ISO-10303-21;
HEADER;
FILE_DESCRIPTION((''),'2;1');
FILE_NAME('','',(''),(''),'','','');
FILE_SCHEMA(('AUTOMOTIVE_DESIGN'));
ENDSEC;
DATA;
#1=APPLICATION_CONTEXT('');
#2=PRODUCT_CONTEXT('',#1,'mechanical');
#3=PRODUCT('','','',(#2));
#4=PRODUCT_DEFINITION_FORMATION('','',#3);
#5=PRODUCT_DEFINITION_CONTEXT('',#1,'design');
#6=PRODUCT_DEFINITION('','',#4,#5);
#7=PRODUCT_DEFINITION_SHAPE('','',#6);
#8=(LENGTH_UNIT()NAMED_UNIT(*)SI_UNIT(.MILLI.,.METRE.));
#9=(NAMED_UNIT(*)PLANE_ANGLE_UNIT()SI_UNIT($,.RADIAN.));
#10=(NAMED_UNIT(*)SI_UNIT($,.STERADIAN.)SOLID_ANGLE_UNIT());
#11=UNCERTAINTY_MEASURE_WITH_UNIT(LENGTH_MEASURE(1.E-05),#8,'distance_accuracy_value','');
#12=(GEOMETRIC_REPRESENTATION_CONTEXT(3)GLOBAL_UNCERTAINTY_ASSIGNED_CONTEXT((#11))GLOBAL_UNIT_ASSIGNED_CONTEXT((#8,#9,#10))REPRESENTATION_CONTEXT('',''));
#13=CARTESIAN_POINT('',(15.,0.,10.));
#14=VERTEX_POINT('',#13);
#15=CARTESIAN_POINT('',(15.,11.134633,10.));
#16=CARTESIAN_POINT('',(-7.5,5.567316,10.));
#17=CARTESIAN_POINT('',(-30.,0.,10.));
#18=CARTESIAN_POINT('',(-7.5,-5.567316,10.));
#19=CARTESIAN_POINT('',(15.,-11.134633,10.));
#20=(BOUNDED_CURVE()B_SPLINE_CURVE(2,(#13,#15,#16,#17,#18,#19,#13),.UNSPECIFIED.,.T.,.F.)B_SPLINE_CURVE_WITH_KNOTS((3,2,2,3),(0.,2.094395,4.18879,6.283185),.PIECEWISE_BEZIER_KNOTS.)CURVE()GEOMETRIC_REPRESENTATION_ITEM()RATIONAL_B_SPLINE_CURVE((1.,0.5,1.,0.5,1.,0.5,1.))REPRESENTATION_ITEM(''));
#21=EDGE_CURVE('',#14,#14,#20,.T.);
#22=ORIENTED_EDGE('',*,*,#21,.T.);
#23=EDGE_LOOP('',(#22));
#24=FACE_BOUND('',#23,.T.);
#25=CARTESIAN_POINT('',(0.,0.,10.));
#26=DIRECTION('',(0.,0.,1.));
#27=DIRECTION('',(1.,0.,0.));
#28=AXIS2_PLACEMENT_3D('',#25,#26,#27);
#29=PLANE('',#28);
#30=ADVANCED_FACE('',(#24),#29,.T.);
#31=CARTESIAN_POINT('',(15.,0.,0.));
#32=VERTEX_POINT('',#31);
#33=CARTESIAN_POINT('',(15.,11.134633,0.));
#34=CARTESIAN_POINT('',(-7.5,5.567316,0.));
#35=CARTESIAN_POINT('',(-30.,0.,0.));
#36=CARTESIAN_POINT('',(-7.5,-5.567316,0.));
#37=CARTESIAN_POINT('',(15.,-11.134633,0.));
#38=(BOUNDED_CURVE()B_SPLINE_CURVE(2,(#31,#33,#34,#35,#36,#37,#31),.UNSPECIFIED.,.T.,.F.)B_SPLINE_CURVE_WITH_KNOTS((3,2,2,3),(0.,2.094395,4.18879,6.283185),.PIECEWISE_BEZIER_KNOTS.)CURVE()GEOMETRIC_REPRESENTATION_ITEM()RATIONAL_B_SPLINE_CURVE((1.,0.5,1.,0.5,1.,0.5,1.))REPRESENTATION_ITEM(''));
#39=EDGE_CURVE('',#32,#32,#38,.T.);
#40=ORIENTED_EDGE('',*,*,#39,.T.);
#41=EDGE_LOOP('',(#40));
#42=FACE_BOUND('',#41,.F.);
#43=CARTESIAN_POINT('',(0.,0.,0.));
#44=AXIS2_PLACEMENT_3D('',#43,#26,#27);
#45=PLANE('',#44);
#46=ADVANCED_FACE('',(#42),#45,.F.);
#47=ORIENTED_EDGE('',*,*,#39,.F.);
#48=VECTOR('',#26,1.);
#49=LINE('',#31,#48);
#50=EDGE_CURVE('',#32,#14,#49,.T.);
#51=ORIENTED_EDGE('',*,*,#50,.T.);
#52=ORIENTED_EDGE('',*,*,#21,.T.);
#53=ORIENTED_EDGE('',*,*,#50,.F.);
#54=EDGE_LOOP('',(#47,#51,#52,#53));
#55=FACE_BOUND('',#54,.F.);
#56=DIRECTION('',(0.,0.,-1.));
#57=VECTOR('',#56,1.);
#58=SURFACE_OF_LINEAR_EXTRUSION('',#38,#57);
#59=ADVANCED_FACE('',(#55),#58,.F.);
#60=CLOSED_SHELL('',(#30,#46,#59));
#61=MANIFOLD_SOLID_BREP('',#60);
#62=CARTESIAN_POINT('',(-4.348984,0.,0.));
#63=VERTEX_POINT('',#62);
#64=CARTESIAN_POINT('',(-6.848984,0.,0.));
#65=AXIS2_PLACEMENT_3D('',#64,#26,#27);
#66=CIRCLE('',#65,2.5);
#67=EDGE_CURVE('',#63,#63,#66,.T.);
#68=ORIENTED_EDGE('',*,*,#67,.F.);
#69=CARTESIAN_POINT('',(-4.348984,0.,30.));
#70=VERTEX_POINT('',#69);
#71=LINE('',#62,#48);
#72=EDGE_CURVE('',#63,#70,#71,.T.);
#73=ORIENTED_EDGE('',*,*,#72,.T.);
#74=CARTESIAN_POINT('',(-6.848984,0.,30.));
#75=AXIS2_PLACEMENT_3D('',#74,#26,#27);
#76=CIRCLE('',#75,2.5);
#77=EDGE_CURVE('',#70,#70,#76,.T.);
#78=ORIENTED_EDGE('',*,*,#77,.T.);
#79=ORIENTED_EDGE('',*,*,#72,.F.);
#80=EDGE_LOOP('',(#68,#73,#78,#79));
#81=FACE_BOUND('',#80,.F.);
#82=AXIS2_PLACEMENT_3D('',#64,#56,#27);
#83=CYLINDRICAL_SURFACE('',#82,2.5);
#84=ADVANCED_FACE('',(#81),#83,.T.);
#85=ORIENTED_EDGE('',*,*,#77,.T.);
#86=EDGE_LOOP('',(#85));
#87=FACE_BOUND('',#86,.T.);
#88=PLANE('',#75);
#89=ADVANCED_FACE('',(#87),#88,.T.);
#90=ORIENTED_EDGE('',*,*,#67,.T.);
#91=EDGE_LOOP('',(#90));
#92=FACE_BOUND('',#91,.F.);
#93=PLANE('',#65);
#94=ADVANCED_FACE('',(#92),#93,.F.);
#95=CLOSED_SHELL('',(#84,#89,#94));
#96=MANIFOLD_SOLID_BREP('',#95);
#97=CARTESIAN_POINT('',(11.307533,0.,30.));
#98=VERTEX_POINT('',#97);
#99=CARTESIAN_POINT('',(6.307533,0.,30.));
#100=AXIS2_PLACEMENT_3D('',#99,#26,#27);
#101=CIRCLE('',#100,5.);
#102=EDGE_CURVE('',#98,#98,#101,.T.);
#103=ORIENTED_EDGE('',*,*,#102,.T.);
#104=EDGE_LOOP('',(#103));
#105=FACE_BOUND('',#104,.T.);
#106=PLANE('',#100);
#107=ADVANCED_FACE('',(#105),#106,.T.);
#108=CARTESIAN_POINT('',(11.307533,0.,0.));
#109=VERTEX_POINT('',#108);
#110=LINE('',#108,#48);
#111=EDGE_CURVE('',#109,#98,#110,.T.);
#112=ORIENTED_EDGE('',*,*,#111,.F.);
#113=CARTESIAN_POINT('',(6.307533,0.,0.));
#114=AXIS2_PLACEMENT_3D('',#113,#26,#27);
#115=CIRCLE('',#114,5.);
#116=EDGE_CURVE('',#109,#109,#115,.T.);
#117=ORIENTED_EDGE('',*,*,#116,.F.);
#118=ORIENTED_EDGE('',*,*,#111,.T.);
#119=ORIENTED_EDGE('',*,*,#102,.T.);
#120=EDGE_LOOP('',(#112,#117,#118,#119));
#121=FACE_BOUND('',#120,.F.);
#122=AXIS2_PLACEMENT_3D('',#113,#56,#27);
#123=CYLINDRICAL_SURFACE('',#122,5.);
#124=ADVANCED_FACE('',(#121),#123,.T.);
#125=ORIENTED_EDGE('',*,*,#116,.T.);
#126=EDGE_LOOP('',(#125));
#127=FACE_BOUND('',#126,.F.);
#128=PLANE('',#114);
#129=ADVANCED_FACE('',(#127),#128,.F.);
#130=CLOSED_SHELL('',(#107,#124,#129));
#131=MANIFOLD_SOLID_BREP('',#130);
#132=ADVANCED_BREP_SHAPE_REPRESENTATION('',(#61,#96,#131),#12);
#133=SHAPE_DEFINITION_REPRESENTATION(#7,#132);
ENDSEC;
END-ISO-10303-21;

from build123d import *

# Parameters (mm, degrees)
F1_R     = 5
F1_R_2   = 2.5
F2_DEPTH = 30
F3_DEPTH = 10


with BuildPart() as f2:
    # F1 (on face) → F2 (new body)
    with BuildSketch(Plane.XY):
        with Locations((6.307533, 0)):
            Circle(F1_R)
        with Locations((-6.848984, 0)):
            Circle(F1_R_2)
    extrude(amount=F2_DEPTH)


with BuildPart() as f3:
    # F0 (on Top) → F3 (new body)
    with BuildSketch(Plane.XY):
        with BuildLine():
            add(Edge.make_bspline(
                [(15, 0), (15, 11.134633), (-7.5, 5.567316), (-30, 0), (-7.5, -5.567316), (15, -11.134633), (15, 0)],
                knots=[0, 0, 0, 2.094395, 2.094395, 4.18879, 4.18879, 6.283185, 6.283185, 6.283185], degree=2, weights=[1, 0.5, 1, 0.5, 1, 0.5, 1]))
        make_face()
    extrude(amount=F3_DEPTH)


solid = Compound([f2.part, f3.part])
